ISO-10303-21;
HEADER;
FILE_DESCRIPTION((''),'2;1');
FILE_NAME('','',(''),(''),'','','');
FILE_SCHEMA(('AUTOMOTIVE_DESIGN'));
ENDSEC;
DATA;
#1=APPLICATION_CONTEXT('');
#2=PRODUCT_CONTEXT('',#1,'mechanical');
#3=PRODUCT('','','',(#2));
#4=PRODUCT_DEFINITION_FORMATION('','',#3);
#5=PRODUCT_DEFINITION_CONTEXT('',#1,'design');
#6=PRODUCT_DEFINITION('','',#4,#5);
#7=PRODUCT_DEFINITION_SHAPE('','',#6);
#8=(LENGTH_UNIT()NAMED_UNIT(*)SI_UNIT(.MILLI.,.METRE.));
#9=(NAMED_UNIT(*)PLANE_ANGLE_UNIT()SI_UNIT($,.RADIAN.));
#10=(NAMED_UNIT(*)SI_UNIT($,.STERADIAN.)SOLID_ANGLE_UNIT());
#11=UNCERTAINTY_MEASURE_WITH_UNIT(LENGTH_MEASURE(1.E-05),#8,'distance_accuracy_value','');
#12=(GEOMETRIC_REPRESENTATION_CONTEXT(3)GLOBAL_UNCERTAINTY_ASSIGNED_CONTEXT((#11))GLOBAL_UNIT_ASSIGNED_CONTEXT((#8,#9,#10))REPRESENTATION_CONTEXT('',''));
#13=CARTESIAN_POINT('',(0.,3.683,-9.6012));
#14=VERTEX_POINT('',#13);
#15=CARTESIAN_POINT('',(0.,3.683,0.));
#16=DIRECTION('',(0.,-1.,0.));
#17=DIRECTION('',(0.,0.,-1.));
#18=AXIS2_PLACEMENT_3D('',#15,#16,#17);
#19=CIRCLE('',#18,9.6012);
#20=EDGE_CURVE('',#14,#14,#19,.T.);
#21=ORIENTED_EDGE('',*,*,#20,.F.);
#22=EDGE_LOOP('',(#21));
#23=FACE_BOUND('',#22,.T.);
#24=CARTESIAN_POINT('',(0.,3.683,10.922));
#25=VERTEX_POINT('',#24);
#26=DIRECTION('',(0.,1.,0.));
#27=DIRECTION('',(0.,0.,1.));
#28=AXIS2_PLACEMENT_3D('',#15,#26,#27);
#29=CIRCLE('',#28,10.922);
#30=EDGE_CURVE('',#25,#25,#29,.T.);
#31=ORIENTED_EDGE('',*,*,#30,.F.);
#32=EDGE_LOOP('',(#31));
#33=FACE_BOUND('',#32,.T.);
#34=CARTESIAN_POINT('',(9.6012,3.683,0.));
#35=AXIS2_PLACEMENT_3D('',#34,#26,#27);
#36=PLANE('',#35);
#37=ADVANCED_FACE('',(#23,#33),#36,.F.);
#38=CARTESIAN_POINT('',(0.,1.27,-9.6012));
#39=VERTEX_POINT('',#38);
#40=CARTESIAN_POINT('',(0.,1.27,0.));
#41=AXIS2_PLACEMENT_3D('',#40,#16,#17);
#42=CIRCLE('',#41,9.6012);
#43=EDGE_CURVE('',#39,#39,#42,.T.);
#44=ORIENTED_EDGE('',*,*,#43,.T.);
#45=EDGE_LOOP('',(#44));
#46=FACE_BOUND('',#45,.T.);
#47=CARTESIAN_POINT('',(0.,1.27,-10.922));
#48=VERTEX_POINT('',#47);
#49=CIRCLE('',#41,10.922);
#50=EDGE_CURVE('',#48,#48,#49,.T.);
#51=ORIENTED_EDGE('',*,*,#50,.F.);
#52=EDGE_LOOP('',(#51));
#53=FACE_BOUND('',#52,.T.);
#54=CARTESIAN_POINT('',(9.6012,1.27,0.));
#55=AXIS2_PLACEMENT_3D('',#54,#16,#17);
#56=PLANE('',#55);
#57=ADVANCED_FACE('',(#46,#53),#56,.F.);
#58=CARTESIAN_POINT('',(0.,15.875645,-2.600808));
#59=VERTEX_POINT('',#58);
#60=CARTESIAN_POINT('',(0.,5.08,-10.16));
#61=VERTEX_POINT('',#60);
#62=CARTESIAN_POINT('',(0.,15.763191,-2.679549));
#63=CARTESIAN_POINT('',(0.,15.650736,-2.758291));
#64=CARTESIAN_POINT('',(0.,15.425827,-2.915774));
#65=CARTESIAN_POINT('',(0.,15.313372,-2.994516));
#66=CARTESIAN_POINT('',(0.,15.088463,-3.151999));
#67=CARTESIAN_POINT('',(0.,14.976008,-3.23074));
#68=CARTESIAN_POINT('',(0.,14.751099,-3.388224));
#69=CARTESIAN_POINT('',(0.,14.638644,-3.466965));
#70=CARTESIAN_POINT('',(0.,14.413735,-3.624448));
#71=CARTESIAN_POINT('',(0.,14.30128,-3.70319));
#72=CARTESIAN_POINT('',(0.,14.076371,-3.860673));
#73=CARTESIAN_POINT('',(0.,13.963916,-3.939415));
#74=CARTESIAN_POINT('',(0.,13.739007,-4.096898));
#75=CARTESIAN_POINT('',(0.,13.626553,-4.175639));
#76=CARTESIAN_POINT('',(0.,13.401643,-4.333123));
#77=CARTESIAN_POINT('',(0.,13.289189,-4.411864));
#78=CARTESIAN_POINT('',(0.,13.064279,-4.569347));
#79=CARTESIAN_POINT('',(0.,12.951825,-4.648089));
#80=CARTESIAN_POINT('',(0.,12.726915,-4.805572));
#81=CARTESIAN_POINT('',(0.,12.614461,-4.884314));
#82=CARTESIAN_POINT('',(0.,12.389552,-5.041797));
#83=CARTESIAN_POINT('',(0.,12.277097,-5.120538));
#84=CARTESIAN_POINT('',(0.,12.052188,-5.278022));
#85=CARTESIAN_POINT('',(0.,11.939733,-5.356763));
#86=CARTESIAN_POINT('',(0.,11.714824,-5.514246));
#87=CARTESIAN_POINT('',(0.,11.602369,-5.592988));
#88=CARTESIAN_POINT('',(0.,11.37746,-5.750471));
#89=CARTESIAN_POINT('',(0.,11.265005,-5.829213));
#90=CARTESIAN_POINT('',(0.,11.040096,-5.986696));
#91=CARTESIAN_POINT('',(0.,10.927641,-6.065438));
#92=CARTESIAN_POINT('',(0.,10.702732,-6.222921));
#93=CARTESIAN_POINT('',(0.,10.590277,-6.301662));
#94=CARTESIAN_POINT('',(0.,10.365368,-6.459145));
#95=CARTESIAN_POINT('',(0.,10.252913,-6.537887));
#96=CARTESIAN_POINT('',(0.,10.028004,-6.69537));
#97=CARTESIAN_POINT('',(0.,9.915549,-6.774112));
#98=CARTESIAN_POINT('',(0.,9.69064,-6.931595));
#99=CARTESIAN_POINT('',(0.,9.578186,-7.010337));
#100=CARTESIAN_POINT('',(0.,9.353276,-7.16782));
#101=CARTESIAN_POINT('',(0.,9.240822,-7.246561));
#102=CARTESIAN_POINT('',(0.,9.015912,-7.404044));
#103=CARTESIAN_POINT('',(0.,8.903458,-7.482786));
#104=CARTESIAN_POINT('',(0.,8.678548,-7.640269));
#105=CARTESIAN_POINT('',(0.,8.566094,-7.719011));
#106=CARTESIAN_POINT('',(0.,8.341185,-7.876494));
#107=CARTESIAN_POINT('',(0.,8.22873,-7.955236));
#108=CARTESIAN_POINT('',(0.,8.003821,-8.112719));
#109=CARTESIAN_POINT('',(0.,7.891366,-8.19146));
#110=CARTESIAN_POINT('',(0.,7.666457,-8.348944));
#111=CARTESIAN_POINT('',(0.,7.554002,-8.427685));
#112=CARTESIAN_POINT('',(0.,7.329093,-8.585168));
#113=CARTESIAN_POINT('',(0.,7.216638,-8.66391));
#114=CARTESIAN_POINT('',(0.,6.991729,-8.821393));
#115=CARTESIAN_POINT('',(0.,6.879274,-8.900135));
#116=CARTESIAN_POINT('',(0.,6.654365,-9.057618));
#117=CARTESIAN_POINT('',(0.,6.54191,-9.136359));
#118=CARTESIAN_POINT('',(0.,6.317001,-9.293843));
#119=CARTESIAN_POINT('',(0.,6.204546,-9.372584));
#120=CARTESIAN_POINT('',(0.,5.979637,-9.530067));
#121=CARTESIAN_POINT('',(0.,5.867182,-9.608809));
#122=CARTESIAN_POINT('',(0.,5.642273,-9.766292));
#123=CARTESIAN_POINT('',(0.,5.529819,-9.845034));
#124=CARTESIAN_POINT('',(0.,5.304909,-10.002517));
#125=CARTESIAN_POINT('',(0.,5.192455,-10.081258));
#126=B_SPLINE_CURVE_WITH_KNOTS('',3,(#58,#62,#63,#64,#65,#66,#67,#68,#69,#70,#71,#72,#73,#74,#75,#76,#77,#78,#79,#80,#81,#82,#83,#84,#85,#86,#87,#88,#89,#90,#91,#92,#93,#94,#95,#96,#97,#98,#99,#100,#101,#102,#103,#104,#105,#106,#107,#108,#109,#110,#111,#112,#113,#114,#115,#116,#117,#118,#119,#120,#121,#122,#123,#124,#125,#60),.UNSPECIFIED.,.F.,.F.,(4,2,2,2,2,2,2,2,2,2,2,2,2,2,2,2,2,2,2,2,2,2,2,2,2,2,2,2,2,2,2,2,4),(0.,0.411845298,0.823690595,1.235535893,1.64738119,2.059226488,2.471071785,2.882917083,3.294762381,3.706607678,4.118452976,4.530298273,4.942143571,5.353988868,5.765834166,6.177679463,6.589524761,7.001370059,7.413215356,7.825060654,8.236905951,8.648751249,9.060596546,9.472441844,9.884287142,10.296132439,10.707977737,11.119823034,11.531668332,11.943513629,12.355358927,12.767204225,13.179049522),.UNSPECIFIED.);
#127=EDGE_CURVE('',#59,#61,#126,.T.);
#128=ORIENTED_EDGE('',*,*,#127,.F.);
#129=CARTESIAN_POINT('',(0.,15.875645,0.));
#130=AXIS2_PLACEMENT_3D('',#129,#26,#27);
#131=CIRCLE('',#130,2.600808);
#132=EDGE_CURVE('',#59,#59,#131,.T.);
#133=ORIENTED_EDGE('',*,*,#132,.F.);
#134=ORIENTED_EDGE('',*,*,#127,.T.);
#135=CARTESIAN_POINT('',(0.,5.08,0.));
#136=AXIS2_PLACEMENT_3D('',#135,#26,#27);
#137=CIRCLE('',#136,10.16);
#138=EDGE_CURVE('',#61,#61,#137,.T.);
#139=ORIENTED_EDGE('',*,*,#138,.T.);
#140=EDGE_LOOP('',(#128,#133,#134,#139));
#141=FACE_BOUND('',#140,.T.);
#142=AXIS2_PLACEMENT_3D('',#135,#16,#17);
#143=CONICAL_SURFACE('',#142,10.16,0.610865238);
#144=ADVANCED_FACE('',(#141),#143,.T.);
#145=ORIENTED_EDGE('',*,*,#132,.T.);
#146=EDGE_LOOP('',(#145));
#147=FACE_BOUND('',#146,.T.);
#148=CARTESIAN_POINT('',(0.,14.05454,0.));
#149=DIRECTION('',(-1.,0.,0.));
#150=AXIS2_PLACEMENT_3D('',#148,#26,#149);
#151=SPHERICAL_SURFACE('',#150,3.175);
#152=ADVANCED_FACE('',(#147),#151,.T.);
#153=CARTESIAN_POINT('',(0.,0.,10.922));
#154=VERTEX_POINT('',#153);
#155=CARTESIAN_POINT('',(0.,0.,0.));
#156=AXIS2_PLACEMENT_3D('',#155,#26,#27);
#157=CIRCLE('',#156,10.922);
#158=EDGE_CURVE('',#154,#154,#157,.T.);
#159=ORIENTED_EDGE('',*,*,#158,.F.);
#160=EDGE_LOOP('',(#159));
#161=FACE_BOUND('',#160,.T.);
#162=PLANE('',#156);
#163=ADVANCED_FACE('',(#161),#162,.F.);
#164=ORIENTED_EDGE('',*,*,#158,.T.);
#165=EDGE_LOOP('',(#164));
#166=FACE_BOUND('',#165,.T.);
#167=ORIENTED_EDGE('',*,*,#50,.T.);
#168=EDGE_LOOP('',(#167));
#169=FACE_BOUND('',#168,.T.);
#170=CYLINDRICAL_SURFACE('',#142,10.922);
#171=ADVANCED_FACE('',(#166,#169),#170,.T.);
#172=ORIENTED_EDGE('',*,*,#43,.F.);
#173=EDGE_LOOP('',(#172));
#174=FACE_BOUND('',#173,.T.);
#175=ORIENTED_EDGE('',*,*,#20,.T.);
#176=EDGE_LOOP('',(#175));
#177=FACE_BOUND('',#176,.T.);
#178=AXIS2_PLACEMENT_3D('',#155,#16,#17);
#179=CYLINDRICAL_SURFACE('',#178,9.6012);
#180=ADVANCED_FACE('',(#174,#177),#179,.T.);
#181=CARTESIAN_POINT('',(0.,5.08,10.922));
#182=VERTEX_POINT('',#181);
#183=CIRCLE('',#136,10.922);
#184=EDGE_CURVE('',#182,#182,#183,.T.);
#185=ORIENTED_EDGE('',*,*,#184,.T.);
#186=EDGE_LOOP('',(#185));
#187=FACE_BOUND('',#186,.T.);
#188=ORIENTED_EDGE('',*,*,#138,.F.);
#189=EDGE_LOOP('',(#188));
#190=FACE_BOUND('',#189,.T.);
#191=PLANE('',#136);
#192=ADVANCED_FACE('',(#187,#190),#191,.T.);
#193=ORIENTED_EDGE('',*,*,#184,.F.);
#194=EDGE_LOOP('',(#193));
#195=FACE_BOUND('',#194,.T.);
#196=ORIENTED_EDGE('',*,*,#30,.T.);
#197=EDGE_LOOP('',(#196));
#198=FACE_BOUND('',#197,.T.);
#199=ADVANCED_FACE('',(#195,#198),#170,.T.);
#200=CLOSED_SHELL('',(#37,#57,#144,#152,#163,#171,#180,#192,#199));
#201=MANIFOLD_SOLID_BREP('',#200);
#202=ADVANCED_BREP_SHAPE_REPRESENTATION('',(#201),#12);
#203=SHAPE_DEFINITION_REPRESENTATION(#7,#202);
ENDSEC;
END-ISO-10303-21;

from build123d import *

# Parameters (mm, degrees)
SKETCH1_R           = 10.922
BOSS_EXTRUDE1_DEPTH = 5.08
SKETCH4_W           = 2.413
SKETCH4_H           = 2.413


with BuildPart() as part:
    # Sketch1 → Boss-Extrude1 (new body)
    with BuildSketch(Plane(origin=(0, 0, 0), x_dir=(1, 0, 0), z_dir=(0, 1, 0))):
        with Locations(Location((0, 0, 0), (0, 0, 270))):
            Circle(SKETCH1_R)
    extrude(amount=BOSS_EXTRUDE1_DEPTH)

    # Sketch4 → Cut-Revolve1 (revolve, cut)
    with BuildSketch(Plane.XY, mode=Mode.PRIVATE) as cut_revolve1_sk:
        with Locations((10.8077, 2.4765)):
            Rectangle(SKETCH4_W, SKETCH4_H)
    revolve(cut_revolve1_sk.sketch.rotate(Axis((0, 0, 0), (0, 1, 0)), 90), axis=Axis((0, 0, 0), (0, 1, 0)), mode=Mode.SUBTRACT)

    # Sketch5 → Revolve1 (revolve)
    with BuildSketch(Plane.XY, mode=Mode.PRIVATE) as revolve1_sk:
        with BuildLine():
            Line((10.16, 5.08), (2.600807741, 15.875645358))
            ThreePointArc((2.600807741, 15.875645358), (1.466051847, 16.870799568), (0, 17.229540172))
            Line((0, 17.229540172), (0, 5.08))
            Line((0, 5.08), (10.16, 5.08))
        make_face()
    revolve(revolve1_sk.sketch.rotate(Axis((0, 21.184130684, 0), (0, -1, 0)), 270), axis=Axis((0, 21.184130684, 0), (0, -1, 0)))


solid = part.part
